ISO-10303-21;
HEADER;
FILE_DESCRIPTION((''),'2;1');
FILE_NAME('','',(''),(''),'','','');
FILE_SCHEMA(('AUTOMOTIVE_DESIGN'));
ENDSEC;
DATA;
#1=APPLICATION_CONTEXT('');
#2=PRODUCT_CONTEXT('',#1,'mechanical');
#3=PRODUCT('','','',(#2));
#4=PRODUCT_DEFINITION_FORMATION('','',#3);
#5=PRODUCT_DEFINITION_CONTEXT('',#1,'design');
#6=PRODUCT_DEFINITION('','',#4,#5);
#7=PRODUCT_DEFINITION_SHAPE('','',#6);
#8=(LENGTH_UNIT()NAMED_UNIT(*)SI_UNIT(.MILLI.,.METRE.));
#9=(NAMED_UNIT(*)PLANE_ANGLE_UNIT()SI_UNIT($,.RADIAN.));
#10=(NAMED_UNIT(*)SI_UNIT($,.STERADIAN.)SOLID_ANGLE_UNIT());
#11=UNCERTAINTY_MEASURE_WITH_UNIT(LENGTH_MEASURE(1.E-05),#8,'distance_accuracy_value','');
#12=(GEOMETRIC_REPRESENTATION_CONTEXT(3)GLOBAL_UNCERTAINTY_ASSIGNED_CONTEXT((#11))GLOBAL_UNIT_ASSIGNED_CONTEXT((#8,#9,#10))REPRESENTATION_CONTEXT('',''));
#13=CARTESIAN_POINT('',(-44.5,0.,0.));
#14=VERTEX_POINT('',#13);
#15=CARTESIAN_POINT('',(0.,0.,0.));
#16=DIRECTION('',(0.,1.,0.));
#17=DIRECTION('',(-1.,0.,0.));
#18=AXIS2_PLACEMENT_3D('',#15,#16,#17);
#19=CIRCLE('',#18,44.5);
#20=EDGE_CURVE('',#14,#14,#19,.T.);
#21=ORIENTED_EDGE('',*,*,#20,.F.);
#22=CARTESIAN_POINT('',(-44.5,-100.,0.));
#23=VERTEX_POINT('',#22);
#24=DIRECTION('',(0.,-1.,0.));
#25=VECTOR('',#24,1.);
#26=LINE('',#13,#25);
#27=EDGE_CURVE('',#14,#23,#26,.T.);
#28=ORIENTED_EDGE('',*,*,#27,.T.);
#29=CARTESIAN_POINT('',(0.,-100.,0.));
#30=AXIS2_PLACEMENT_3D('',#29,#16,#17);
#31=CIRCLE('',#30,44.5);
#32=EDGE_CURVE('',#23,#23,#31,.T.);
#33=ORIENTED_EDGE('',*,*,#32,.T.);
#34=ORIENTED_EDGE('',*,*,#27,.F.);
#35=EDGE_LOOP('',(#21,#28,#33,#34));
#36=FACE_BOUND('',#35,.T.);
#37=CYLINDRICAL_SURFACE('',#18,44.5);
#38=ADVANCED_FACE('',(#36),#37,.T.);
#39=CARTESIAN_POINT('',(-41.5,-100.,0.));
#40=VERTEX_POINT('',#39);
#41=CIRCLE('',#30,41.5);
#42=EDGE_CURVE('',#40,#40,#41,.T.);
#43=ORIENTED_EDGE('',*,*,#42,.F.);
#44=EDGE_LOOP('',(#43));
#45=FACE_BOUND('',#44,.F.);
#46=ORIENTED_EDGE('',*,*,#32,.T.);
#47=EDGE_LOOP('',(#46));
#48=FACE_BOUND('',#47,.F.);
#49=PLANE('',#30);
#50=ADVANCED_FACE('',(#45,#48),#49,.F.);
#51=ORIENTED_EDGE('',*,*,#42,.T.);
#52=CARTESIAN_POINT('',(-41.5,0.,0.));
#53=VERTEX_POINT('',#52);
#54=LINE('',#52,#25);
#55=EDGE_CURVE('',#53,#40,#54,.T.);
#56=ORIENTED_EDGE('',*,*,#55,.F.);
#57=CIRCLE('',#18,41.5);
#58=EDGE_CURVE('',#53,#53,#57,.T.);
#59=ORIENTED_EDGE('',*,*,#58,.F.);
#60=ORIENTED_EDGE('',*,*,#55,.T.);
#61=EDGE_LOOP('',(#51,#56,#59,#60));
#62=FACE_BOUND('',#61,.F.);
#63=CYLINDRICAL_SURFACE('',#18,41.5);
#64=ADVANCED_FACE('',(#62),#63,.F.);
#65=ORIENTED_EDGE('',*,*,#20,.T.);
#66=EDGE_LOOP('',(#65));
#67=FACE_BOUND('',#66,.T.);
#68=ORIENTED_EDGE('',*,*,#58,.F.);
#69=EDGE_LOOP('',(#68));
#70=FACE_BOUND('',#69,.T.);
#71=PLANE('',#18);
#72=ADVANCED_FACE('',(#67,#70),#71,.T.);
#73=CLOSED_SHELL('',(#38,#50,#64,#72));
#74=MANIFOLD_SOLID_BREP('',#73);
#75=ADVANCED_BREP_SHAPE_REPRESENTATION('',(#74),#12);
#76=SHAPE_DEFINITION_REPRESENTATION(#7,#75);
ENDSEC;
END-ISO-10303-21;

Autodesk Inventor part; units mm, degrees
ref_plane "YZ Plane" through (0, 0, 0) normal (1, 0, 0) x (0, 1, 0)
ref_plane "XZ Plane" through (0, 0, 0) normal (0, 1, 0) x (-1, 0, 0)
ref_plane "XY Plane" through (0, 0, 0) normal (0, 0, 1) x (1, 0, 0)
sketch "Sketch1" plane through (0, 0, 0) normal (0, 1, 0) x (-1, 0, 0)
  circle A0 centre (0, 0) radius 44.5
  circle A1 centre (0, 0) radius 41.5
  dimension "d0" = 89
  dimension "d1" = 3
extrude "Extrusion1" add sketch "Sketch1" against normal blind 100
properties part number "PRS 1200-14 FDS tube 4"
